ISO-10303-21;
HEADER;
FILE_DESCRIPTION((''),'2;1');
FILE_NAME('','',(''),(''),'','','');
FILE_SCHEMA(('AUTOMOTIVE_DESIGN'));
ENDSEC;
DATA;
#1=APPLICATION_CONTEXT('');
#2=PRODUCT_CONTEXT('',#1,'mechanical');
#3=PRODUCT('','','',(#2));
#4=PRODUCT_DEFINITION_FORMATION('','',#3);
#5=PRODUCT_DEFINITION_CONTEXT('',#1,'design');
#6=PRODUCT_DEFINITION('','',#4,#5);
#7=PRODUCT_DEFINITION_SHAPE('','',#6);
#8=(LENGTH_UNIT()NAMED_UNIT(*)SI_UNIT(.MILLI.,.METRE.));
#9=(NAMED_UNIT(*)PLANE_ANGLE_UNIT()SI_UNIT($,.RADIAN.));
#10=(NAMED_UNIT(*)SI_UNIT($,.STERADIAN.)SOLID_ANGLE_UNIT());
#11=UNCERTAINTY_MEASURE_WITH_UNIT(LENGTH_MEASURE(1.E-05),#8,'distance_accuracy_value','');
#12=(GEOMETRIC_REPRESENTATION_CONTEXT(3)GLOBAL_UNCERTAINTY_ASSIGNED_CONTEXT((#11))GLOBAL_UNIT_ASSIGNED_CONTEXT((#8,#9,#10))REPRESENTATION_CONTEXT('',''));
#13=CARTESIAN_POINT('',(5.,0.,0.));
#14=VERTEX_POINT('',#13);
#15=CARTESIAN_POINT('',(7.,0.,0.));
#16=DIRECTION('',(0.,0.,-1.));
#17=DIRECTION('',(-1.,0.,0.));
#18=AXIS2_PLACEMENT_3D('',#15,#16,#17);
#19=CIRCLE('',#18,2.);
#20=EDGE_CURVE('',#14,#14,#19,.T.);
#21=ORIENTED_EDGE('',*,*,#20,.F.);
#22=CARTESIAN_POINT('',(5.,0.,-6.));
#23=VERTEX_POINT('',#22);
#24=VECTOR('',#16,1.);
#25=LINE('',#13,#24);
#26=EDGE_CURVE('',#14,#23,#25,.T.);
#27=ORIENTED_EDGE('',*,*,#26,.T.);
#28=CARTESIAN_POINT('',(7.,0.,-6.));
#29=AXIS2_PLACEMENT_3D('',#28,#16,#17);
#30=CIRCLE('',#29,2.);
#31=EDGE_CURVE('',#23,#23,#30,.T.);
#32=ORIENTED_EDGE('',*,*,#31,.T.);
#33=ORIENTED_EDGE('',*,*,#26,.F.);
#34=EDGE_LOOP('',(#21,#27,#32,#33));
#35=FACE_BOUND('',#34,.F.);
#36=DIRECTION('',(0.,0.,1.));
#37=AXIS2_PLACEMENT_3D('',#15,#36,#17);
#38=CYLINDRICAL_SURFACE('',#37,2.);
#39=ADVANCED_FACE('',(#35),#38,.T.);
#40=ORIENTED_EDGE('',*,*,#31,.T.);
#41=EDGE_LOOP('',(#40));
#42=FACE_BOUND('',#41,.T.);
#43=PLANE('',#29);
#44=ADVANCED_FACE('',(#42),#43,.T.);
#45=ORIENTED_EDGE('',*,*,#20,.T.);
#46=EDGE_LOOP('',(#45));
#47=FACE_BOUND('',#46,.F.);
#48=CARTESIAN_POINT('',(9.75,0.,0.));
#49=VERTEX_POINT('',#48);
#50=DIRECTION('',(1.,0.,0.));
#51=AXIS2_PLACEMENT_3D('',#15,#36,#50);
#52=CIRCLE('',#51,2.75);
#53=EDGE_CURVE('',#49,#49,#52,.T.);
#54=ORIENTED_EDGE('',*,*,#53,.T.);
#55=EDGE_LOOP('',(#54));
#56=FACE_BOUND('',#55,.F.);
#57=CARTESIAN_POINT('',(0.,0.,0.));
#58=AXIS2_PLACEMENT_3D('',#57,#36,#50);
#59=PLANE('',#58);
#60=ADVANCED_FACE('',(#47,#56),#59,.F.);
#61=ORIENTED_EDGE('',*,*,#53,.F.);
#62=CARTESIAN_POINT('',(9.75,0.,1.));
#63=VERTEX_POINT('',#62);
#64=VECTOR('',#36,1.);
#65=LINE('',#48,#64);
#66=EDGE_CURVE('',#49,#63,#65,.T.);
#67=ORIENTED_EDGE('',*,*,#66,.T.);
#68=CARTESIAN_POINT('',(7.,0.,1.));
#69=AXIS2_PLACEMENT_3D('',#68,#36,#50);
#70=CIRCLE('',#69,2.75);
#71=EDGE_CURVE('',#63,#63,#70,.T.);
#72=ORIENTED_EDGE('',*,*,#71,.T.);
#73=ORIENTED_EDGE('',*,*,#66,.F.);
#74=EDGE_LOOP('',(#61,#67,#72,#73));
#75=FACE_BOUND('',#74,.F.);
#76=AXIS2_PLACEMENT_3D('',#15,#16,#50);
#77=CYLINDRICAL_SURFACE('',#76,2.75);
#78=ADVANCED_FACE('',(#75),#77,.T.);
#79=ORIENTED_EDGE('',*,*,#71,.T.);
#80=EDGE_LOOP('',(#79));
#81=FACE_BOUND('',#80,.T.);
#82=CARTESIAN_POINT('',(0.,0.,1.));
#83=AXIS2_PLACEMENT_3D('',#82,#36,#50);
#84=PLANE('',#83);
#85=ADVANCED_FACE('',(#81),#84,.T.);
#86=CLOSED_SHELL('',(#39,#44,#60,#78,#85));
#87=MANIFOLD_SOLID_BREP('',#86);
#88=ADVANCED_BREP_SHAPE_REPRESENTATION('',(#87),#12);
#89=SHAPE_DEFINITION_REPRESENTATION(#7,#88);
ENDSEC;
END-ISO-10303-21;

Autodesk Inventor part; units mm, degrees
ref_plane "YZ Plane" through (0, 0, 0) normal (1, 0, 0) x (0, 1, 0)
ref_plane "XZ Plane" through (0, 0, 0) normal (0, 1, 0) x (-1, 0, 0)
ref_plane "XY Plane" through (0, 0, 0) normal (0, 0, 1) x (1, 0, 0)
sketch "Sketch1" plane through (0, 0, 0) normal (0, 0, 1) x (1, 0, 0)
  circle A0 centre (7, 0) radius 2.25 projected
  circle A1 centre (7, 0) radius 2.75
  point P0 (0, 0)
  dimension "d0" = 5.5
extrude "Extrusion1" add sketch "Sketch1" along normal blind 1 contours A0 | A1
sketch "Sketch2" plane through (7, 0, 0) normal (0, 0, -1) x (-1, 0, 0)
  circle A0 centre (0, 0) radius 2
  point P0 (7, 0)
  dimension "d3" = 4
extrude "Extrusion2" add sketch "Sketch2" along normal blind 6
properties part number "PinSmall"
